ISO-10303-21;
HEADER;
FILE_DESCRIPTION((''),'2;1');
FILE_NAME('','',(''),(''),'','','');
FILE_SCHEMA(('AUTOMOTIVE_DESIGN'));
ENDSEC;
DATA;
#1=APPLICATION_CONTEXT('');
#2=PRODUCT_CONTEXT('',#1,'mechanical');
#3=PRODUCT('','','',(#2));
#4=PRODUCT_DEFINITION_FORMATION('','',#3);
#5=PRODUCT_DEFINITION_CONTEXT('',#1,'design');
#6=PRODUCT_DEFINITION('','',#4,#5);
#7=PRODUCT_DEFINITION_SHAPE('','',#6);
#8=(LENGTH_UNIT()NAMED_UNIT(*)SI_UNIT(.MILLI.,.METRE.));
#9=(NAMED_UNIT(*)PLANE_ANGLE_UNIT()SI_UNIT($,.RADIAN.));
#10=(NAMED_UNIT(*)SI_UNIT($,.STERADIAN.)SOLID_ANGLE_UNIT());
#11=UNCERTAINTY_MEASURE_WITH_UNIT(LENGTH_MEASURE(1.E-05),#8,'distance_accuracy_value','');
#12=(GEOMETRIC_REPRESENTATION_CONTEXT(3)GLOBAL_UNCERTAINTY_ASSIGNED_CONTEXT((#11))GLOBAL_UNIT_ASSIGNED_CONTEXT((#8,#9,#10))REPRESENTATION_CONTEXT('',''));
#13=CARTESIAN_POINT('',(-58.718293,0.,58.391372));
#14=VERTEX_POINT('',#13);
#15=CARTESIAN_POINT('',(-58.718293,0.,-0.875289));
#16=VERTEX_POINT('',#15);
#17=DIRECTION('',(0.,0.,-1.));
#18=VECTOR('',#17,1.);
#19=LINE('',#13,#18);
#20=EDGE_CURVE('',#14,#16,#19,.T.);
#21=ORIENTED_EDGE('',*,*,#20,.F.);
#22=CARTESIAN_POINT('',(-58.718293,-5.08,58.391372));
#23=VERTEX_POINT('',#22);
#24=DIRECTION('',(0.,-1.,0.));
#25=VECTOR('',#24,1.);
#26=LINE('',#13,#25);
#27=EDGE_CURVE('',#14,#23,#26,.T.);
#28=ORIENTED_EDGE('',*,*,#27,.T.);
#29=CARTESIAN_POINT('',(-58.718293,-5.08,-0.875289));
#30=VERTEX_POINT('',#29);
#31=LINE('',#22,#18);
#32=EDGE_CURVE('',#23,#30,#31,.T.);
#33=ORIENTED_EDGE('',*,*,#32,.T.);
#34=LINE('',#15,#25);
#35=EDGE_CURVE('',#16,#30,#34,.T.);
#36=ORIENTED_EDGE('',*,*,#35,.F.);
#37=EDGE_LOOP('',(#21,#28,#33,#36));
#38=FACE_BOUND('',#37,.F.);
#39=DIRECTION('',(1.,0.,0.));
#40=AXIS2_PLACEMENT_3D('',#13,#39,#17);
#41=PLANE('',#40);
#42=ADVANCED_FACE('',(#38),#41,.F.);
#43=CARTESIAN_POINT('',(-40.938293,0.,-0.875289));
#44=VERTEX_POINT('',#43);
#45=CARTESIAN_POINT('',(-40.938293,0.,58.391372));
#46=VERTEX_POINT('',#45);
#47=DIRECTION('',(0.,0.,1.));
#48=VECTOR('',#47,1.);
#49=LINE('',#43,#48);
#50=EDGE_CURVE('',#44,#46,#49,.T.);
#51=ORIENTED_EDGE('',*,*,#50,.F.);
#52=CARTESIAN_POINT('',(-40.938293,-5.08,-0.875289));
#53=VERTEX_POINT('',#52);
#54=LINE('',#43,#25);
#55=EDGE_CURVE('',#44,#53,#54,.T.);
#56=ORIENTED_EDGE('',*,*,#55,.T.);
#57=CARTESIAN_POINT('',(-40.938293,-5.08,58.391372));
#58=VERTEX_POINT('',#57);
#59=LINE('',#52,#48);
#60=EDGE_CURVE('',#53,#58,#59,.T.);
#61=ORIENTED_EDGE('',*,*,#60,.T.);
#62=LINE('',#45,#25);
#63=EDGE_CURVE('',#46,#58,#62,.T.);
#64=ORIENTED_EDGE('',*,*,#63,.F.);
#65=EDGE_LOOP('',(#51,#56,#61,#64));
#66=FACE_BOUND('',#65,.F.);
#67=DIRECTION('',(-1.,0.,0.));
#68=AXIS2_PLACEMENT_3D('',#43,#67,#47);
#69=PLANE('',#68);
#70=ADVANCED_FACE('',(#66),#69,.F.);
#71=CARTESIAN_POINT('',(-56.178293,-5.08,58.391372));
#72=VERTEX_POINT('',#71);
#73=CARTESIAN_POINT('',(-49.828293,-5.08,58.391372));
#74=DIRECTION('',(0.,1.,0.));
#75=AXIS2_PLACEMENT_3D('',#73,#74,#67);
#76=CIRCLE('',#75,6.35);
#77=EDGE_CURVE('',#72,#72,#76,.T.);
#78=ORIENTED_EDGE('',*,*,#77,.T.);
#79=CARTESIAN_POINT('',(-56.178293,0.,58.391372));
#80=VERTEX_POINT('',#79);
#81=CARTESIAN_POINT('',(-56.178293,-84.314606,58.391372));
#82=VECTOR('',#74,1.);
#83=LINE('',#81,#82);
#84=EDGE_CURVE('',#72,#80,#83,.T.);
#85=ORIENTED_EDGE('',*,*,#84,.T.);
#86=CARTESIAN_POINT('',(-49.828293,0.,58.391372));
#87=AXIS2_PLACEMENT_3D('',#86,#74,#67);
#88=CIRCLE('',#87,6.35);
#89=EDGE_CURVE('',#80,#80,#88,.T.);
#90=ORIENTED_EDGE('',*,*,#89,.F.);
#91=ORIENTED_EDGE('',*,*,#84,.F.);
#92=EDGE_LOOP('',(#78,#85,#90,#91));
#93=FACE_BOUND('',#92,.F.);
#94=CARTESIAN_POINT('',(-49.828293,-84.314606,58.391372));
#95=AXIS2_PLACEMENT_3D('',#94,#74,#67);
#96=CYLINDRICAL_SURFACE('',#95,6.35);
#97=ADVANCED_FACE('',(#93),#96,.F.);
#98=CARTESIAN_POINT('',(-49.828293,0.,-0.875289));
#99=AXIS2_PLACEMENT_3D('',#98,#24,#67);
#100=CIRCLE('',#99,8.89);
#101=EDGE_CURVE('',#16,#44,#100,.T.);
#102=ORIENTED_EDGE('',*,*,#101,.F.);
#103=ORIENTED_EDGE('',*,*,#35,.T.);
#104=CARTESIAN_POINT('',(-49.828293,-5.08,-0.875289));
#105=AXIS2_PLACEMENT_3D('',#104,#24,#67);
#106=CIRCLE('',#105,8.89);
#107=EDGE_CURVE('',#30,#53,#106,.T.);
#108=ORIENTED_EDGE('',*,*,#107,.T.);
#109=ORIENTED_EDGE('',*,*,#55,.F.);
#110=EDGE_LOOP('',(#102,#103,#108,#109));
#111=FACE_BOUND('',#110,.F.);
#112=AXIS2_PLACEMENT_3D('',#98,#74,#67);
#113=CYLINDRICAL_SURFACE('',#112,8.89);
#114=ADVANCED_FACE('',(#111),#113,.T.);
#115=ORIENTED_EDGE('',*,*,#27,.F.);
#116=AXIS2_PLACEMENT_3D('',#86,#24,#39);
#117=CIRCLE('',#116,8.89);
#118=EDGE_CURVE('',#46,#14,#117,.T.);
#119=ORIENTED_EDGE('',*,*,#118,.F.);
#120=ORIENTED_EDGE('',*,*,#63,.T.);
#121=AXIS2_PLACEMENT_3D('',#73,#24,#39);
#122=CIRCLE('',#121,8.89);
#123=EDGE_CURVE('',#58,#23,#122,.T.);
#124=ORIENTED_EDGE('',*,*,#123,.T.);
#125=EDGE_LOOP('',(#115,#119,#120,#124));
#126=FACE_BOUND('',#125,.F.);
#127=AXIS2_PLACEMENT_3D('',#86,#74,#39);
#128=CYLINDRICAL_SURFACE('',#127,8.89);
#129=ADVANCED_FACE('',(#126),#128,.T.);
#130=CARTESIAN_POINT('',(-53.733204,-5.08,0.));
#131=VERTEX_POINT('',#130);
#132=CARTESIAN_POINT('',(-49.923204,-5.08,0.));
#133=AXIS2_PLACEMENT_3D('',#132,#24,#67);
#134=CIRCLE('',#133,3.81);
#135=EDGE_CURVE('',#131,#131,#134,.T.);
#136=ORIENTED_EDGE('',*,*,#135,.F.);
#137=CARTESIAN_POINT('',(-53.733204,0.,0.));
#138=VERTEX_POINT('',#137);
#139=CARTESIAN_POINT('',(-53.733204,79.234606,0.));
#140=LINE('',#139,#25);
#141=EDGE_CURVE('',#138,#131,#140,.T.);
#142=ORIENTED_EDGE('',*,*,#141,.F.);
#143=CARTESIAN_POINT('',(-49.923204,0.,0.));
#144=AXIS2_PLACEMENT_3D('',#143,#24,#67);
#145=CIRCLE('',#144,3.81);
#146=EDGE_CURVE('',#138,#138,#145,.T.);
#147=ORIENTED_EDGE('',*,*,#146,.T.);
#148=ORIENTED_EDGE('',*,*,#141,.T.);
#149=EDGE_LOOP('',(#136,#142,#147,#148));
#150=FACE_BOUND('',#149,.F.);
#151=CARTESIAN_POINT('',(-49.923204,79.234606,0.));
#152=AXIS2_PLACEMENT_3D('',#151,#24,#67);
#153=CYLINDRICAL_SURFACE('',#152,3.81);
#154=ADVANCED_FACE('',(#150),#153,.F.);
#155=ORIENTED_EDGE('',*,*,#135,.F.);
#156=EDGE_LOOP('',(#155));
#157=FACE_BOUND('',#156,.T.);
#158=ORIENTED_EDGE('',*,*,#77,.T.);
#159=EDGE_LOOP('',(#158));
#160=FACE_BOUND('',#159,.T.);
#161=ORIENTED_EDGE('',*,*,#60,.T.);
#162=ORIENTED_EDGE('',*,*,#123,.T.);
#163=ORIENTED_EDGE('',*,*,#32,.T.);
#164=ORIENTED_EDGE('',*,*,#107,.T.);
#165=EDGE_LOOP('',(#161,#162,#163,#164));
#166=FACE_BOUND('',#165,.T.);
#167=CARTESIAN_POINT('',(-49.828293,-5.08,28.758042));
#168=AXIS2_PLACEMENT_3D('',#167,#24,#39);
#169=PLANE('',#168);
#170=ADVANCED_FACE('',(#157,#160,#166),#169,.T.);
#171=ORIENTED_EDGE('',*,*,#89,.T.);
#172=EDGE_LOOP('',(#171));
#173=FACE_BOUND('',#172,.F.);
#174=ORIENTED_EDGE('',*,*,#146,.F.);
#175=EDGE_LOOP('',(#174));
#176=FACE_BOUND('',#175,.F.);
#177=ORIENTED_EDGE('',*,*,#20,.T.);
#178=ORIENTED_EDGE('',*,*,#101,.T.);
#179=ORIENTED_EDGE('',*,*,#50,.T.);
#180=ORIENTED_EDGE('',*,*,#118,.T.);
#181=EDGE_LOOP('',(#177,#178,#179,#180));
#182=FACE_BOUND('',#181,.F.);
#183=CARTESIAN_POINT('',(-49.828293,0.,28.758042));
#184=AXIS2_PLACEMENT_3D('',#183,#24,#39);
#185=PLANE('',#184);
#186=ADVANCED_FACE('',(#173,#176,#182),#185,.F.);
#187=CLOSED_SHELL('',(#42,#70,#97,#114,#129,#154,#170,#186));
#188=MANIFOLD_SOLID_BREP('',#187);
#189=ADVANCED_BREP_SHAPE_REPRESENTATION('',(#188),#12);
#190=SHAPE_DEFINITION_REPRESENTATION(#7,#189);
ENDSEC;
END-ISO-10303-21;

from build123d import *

# Parameters (mm, degrees)
F1_DEPTH = 5.08
F3_D     = 7.62
F5_D     = 12.7


with BuildPart() as f1:
    # F0 (on Front) → F1 (new body)
    with BuildSketch(Plane.XZ):
        with BuildLine():
            ThreePointArc((-40.938293, 58.391372), (-49.828293, 67.281372), (-58.718293, 58.391372))
            Line((-58.718293, 58.391372), (-58.718293, -0.875289))
            ThreePointArc((-58.718293, -0.875289), (-49.828293, -9.765289), (-40.938293, -0.875289))
            Line((-40.938293, -0.875289), (-40.938293, 58.391372))
        make_face()
    extrude(amount=F1_DEPTH)

    # F3 (through all)
    with Locations(Plane(origin=(0, 0, 0), x_dir=(1, 0, 0), z_dir=(0, 1, 0))):
        with Locations((-49.923204, 0)):
            Hole(F3_D / 2)

    # F5 (through all)
    with Locations(Plane.XZ.offset(5.08)):
        with Locations((-49.828293, 58.391372)):
            Hole(F5_D / 2)


solid = f1.part
